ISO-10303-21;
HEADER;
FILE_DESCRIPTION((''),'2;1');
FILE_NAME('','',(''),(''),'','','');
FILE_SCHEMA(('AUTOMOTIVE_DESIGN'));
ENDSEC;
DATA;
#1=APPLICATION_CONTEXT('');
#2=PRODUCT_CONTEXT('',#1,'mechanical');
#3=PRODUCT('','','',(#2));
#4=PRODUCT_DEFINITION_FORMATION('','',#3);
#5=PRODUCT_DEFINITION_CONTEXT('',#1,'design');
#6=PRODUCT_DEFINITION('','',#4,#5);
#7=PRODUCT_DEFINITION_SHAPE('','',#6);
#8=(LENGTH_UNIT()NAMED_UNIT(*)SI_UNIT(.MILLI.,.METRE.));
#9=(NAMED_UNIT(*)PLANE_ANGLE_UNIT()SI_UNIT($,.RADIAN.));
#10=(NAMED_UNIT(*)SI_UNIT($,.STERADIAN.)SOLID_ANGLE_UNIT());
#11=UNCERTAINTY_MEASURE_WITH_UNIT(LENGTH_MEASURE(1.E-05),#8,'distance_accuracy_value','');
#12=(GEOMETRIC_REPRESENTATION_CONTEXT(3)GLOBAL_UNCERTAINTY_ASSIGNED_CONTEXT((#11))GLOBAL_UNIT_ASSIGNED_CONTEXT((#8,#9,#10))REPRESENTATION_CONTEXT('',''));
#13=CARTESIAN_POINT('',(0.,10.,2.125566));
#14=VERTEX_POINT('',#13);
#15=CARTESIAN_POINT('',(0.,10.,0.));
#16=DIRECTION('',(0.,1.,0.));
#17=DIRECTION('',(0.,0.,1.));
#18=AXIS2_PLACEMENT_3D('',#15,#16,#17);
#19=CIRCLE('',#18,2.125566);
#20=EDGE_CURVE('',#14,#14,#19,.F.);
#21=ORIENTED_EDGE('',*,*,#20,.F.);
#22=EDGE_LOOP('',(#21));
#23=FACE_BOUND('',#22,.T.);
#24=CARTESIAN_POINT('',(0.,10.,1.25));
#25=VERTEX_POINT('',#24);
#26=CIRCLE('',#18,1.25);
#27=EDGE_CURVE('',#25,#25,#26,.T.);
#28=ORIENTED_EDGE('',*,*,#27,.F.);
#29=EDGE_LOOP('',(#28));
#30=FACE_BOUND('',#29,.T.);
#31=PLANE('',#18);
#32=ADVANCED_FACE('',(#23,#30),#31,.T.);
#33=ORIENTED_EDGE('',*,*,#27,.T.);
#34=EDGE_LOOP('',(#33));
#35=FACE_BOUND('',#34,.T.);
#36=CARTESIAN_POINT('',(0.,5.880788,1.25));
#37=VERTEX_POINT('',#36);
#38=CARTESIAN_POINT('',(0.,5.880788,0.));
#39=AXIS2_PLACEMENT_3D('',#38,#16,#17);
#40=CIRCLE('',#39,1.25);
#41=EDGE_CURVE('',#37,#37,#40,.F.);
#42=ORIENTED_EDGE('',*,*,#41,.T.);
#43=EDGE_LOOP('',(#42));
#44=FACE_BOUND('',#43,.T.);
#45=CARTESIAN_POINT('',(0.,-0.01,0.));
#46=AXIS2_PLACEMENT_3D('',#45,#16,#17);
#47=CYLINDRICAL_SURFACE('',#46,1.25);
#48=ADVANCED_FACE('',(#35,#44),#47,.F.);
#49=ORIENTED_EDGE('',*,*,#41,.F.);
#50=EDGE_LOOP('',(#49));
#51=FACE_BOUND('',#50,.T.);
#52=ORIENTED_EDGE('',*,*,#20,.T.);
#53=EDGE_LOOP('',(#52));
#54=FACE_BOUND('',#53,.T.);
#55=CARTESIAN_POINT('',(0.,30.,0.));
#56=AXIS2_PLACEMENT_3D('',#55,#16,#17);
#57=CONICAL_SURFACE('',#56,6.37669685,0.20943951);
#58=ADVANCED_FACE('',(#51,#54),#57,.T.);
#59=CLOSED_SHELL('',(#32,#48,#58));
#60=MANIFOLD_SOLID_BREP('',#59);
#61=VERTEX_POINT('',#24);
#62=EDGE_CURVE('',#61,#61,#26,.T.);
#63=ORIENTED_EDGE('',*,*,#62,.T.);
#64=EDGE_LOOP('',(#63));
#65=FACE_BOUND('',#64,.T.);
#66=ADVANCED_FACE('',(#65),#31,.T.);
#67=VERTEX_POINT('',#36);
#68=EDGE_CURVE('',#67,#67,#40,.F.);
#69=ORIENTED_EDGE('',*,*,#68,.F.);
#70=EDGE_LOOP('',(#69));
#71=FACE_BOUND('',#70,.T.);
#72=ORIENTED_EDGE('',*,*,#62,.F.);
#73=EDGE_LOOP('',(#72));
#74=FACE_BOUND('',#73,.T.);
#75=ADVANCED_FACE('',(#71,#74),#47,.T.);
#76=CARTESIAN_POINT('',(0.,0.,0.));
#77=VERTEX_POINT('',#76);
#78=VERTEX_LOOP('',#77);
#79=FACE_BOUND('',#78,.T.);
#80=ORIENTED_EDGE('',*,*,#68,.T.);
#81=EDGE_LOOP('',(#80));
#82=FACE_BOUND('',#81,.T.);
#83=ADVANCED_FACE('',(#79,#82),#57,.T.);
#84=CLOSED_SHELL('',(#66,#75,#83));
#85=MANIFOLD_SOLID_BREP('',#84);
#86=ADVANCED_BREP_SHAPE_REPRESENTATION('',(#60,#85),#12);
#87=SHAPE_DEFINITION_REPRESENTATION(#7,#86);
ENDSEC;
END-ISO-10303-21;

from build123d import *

# Parameters (mm, degrees)
BOSS_EXTRUDE1_DEPTH    = 10
SPLIT1_SURFACE_1_BACK  = 19.469
SPLIT1_SURFACE_1_DEPTH = 38.938
SPLIT1_SURFACE_2_BACK  = 19.469
SPLIT1_SURFACE_2_DEPTH = 38.938


with BuildPart() as part:
    # Sketch1 → Boss-Extrude1 (new body)
    with BuildSketch(Plane(origin=(0, 0, 0), x_dir=(1, 0, 0), z_dir=(0, 1, 0))):
        Polygon((5.210657733, -2.486439085), (4.758648279, 3.269342424), (-0.452009453, 5.75578151), (-5.210657733, 2.486439085), (-4.758648279, -3.269342424), (0.452009453, -5.75578151), align=None)
    extrude(amount=BOSS_EXTRUDE1_DEPTH)


with BuildPart() as body_2:
    # Split1: the piece behind the surface
    add(part.part)
    # Split1 surface: a surface, the sketch's curves swept straight by 38.938 mm
    with BuildLine(Plane(origin=(0, 10, 0), x_dir=(1, 0, 0), z_dir=(0, 1, 0)).offset(-SPLIT1_SURFACE_1_BACK), mode=Mode.PRIVATE) as split1_surface_1_path:
        CenterArc((0, 0), 1.25, 0, 360)
    split1_surface_1 = Shell.extrude(split1_surface_1_path.wire(), (0 * SPLIT1_SURFACE_1_DEPTH, 1 * SPLIT1_SURFACE_1_DEPTH, 0 * SPLIT1_SURFACE_1_DEPTH))
    split(bisect_by=split1_surface_1, keep=Keep.BOTTOM)


with BuildPart() as part_1:
    add(part.part)

    # Split1: split by a surface, the side it looks to stays
    # Split1 surface: a surface, the sketch's curves swept straight by 38.938 mm
    with BuildLine(Plane(origin=(0, 10, 0), x_dir=(1, 0, 0), z_dir=(0, 1, 0)).offset(-SPLIT1_SURFACE_2_BACK), mode=Mode.PRIVATE) as split1_surface_2_path:
        CenterArc((0, 0), 1.25, 0, 360)
    split1_surface_2 = Shell.extrude(split1_surface_2_path.wire(), (0 * SPLIT1_SURFACE_2_DEPTH, 1 * SPLIT1_SURFACE_2_DEPTH, 0 * SPLIT1_SURFACE_2_DEPTH))
    split(bisect_by=split1_surface_2, keep=Keep.TOP)


with BuildPart() as cut_revolve1_tool:
    # Sketch4 → Cut-Revolve1 (revolve)
    with BuildSketch(Plane.XY):
        Polygon((0, 0), (6.37669685, 30), (6.37669685, -2.036816597), (0, -2.036816597), align=None)
    revolve(axis=Axis((0, 0, 0), (0, 1, 0)))


with BuildPart() as part_2:
    add(part_1.part)

    # Cut-Revolve1: cut by cut_revolve1_tool
    add(cut_revolve1_tool.part, mode=Mode.SUBTRACT)


with BuildPart() as body_2_1:
    add(body_2.part)

    # Cut-Revolve1: cut by cut_revolve1_tool
    add(cut_revolve1_tool.part, mode=Mode.SUBTRACT)


solid = Compound([part_2.part, body_2_1.part])
